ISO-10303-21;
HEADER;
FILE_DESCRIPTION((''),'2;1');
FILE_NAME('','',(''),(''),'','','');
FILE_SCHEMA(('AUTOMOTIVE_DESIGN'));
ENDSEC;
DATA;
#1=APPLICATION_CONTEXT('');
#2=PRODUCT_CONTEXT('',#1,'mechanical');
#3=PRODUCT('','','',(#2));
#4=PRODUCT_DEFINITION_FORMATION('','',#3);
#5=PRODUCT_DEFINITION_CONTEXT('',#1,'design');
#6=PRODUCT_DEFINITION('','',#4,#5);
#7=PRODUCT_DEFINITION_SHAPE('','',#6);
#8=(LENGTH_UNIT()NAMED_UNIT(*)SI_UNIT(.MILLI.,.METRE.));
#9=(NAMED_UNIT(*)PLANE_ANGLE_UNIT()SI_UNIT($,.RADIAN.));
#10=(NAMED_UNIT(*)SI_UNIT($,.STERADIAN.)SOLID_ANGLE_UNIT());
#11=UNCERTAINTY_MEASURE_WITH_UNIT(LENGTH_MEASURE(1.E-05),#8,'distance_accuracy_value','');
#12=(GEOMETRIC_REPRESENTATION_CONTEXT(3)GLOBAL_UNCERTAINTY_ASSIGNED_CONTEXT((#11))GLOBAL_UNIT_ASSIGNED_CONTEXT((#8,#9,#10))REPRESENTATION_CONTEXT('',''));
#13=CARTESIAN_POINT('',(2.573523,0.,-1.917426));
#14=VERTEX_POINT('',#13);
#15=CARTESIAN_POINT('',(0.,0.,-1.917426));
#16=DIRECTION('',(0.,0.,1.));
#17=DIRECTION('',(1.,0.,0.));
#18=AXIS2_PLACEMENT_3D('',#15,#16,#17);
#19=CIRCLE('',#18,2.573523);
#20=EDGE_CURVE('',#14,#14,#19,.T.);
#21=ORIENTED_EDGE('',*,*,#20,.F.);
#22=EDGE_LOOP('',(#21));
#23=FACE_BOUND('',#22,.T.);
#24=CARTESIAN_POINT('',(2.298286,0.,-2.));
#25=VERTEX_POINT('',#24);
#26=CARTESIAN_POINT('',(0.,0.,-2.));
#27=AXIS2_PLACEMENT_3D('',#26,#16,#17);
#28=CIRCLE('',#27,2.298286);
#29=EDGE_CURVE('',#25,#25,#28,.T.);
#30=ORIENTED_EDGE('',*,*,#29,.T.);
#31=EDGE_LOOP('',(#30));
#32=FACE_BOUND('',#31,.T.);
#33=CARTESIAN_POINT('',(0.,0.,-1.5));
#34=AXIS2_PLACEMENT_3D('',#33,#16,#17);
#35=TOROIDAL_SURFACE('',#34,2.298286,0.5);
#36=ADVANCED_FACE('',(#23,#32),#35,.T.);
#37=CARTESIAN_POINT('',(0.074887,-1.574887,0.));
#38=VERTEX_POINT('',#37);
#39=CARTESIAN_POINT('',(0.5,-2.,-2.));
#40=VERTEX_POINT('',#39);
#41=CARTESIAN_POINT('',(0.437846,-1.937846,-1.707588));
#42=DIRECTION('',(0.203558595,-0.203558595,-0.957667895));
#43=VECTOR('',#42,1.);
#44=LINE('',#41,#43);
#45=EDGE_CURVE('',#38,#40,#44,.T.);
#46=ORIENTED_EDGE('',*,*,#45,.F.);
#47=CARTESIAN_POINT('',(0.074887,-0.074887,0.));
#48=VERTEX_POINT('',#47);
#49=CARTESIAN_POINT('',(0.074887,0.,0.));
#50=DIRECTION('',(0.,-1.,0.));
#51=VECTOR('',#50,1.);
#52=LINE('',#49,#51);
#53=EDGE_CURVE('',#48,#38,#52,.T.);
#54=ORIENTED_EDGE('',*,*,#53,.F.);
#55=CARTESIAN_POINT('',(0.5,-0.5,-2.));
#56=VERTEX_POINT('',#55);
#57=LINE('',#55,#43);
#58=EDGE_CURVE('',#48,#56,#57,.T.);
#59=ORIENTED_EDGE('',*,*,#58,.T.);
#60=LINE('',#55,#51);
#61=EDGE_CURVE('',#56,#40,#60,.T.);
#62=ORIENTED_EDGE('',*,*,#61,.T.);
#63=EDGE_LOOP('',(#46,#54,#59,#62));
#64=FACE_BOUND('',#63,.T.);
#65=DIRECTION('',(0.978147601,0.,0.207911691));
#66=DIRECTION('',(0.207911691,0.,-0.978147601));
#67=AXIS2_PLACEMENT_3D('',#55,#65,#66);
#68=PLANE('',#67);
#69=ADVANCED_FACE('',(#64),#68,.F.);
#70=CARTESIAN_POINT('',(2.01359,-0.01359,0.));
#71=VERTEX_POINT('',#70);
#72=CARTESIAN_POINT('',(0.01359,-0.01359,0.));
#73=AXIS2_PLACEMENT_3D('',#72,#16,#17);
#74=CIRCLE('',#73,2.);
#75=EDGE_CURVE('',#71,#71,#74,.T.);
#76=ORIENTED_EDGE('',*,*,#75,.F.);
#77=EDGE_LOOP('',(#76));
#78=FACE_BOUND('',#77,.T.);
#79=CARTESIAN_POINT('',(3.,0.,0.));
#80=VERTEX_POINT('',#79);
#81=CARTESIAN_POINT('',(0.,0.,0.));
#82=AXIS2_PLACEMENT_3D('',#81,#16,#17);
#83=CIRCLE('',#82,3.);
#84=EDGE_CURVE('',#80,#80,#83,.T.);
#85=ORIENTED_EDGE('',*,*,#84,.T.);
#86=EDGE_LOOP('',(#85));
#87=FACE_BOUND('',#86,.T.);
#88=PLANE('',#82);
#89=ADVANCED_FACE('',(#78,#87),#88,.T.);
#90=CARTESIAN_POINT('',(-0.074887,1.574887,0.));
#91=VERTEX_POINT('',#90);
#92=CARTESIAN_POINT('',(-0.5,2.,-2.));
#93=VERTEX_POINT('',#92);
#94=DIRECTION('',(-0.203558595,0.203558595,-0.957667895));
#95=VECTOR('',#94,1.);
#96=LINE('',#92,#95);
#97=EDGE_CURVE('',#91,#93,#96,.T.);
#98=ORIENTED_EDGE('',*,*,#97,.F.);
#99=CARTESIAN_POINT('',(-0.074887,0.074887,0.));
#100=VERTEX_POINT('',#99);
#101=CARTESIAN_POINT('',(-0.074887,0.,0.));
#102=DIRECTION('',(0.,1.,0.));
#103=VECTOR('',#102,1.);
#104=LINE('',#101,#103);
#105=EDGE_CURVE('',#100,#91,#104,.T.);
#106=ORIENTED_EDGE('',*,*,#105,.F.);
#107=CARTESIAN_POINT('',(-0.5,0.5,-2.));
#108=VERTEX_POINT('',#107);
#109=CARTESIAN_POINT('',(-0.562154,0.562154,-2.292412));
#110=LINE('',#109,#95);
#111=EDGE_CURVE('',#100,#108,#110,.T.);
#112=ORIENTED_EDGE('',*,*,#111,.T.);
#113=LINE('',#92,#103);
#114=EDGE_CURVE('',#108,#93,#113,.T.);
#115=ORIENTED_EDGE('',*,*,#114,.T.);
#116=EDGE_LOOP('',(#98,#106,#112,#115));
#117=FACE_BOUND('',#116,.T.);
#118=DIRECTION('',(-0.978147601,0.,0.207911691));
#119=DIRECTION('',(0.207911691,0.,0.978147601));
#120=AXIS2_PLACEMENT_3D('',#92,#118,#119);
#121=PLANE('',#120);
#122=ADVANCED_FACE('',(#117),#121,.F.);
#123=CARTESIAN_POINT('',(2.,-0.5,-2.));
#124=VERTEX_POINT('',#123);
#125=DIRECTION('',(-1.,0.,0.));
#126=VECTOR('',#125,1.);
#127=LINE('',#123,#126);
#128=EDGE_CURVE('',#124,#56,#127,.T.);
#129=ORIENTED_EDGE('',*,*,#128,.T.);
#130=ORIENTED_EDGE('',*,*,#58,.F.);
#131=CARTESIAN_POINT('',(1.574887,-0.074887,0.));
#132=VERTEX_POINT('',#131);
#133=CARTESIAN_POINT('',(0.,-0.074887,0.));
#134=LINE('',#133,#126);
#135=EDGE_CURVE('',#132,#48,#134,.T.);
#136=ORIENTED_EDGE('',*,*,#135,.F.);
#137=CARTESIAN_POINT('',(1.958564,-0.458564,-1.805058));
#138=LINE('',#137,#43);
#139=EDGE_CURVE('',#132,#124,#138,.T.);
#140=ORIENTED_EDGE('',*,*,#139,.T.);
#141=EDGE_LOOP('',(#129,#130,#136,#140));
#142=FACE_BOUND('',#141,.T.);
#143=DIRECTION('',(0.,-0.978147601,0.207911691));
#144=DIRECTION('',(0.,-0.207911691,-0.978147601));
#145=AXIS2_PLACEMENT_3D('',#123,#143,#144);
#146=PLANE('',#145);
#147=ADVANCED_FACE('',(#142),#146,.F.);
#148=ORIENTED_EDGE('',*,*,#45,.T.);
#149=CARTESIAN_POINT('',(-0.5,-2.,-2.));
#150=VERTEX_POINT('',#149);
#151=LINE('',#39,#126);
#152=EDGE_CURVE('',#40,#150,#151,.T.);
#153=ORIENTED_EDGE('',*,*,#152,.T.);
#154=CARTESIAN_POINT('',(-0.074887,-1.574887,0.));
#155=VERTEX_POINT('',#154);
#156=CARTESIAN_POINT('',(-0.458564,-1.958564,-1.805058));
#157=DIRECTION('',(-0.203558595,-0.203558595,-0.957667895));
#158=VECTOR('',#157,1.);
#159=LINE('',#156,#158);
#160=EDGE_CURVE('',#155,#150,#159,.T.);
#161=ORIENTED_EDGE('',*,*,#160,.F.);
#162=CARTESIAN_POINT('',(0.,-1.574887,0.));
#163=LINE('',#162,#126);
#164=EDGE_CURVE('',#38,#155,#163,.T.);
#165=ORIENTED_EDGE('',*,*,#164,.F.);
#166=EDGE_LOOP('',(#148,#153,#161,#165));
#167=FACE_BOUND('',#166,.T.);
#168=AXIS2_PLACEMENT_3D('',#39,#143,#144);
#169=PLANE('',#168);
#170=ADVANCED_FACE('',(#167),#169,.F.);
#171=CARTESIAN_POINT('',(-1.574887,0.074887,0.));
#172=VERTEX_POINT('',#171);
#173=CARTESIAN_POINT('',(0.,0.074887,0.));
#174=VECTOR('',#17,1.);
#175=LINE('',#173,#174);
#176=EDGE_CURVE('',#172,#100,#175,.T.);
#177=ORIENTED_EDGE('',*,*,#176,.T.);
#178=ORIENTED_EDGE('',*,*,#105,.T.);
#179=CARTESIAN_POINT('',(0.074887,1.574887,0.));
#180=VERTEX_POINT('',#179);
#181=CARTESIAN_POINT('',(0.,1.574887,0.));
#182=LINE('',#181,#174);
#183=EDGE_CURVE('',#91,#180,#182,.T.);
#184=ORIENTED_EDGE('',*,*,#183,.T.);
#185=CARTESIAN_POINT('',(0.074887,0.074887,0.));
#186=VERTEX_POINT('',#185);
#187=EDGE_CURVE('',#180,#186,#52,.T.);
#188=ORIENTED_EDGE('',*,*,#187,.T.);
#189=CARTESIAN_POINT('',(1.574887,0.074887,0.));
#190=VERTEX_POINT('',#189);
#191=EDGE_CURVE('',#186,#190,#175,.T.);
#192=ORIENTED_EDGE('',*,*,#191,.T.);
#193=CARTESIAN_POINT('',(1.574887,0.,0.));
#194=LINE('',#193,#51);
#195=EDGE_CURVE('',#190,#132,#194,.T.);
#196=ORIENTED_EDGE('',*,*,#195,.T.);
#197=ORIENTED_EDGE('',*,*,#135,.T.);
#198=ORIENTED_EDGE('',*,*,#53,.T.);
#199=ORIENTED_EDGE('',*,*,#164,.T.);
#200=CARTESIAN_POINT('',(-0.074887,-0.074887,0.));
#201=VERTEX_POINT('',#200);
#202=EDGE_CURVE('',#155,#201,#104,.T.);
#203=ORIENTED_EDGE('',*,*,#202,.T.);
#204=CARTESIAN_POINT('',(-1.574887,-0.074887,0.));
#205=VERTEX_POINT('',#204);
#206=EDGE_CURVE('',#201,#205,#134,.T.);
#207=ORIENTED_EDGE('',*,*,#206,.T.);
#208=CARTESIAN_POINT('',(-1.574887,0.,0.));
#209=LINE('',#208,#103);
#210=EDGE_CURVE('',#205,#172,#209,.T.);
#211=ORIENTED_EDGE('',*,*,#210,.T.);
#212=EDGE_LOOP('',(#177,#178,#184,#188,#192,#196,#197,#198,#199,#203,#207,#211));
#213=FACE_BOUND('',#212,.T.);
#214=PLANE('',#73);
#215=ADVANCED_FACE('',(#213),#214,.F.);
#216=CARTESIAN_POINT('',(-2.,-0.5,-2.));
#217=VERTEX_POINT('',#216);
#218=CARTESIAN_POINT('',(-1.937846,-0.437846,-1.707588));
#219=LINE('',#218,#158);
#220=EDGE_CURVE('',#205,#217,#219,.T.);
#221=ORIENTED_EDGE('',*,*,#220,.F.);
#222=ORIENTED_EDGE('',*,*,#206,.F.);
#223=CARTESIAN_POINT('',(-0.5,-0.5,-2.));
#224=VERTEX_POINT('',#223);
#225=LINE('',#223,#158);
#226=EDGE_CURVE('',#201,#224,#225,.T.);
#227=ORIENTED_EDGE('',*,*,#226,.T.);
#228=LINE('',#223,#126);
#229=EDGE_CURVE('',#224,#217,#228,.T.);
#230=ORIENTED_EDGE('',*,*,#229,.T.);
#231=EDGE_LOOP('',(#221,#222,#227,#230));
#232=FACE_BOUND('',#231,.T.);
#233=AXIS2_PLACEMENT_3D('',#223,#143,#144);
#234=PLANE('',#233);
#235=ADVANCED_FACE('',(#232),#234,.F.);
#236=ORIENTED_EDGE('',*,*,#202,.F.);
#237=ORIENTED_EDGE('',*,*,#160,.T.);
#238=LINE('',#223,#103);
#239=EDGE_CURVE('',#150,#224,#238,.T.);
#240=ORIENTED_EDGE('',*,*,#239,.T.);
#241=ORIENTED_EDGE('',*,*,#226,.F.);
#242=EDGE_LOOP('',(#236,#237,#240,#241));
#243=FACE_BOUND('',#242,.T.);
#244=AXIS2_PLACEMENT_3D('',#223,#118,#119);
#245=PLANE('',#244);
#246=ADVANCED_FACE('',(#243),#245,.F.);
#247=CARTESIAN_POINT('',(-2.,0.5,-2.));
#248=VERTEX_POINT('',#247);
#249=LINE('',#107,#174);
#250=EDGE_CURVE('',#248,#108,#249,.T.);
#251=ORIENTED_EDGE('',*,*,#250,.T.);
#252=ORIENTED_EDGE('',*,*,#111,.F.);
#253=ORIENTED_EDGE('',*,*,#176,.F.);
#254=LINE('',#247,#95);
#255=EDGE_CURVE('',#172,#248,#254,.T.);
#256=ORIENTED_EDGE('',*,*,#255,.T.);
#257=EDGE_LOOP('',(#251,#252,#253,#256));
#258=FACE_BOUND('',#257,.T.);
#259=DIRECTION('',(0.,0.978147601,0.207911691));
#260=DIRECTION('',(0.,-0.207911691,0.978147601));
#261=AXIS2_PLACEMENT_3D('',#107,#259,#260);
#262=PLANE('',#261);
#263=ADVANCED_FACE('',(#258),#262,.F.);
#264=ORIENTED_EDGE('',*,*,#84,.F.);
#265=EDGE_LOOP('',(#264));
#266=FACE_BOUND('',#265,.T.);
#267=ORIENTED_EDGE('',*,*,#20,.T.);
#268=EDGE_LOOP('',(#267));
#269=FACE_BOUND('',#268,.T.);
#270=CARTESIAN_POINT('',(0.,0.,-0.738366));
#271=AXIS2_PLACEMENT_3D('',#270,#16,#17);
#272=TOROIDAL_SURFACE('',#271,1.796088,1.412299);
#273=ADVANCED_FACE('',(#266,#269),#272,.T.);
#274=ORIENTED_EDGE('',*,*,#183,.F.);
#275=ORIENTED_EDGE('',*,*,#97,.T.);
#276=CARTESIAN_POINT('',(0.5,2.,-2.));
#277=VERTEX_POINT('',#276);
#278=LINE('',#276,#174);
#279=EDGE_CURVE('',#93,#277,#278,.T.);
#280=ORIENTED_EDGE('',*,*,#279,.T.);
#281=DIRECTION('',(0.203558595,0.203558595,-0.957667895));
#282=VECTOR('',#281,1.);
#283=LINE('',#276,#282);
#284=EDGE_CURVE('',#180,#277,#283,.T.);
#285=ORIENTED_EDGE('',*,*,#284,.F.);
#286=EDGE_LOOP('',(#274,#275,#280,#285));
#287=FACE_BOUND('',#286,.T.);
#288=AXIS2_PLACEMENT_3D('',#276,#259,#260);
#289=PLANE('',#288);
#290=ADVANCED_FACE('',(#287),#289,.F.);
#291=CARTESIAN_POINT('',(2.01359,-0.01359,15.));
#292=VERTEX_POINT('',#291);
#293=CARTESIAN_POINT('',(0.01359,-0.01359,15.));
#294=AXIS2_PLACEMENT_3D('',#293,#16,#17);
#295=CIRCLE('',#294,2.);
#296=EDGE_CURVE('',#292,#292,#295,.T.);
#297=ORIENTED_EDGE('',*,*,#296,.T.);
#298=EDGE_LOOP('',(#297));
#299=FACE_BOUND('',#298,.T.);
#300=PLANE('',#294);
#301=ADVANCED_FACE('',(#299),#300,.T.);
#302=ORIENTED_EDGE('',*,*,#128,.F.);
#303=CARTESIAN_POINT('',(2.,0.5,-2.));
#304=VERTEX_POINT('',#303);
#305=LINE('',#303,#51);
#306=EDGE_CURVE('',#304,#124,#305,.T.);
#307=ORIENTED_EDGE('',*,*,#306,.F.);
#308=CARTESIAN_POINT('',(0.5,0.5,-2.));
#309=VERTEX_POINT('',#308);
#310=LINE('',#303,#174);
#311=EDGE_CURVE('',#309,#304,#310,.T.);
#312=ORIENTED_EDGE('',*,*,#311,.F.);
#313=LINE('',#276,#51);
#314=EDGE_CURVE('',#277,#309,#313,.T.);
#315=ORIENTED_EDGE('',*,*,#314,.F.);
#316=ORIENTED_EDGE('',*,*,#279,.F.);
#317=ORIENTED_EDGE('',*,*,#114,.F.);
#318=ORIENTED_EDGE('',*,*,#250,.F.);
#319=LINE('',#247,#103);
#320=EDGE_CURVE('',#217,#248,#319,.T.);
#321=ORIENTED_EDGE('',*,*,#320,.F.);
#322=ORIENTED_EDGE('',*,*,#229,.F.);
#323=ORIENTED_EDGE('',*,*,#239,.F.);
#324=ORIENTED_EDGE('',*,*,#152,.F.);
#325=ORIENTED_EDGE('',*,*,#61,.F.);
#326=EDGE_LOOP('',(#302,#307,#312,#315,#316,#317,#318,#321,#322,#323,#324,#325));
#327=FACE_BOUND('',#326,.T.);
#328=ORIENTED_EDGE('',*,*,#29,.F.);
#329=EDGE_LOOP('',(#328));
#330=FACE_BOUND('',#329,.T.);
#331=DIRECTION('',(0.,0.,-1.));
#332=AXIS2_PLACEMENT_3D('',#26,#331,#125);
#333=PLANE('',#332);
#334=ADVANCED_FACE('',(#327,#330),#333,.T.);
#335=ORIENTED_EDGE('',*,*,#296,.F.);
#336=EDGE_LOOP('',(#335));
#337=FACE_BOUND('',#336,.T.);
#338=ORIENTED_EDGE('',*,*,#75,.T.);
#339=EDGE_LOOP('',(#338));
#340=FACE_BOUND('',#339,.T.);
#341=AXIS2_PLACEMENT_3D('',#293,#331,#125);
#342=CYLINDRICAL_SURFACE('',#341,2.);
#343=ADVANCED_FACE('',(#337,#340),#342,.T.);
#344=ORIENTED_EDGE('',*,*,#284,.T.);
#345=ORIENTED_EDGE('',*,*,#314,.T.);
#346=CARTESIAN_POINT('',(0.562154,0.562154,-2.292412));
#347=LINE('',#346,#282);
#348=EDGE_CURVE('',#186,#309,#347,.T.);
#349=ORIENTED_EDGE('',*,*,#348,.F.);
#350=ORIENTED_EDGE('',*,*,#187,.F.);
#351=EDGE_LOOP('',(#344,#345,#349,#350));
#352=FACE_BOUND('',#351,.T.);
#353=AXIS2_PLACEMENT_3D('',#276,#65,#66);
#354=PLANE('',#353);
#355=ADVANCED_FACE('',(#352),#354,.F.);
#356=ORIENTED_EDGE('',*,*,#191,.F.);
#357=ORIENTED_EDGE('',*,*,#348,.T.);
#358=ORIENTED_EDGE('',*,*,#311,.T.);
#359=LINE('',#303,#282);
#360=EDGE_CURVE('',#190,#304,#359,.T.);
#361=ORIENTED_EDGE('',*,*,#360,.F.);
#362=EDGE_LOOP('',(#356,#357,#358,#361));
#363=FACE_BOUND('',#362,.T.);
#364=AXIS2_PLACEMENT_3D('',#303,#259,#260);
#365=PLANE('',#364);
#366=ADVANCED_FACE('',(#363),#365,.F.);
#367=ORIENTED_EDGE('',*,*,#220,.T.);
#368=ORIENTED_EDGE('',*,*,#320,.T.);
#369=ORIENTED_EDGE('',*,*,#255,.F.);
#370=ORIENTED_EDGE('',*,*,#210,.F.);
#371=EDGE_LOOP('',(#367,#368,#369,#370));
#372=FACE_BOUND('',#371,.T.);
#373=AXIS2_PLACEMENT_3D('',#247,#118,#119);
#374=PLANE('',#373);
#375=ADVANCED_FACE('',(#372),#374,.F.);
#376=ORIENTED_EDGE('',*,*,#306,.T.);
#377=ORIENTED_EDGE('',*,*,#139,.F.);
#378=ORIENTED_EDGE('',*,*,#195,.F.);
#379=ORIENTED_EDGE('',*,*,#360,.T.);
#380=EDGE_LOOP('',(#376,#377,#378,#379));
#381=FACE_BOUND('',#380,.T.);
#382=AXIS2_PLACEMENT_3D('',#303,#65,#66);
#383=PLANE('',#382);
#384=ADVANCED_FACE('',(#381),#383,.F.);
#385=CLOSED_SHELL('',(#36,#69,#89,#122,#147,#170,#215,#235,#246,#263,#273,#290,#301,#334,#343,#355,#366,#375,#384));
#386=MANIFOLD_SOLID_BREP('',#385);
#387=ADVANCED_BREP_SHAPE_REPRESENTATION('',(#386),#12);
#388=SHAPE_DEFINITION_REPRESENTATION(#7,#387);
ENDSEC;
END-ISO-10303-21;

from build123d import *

# Parameters (mm, degrees)
CUT_EXTRUDE1_DEPTH  = 2
CUT_EXTRUDE1_DRAFT  = -12
SKETCH3_R           = 2
BOSS_EXTRUDE1_DEPTH = 15


with BuildPart() as part:
    # Sketch1 → Revolve2 (revolve)
    with BuildSketch(Plane(origin=(0, 0, 0), x_dir=(1, 0, 0), z_dir=(0, 1, 0))):
        with BuildLine():
            Line((0, 0), (0, 2))
            Line((0, 2), (2.298285661, 2))
            ThreePointArc((2.298285661, 2), (2.441964308, 1.978911731), (2.57352322, 1.917425786))
            ThreePointArc((2.57352322, 1.917425786), (3.174697589, 1.044998208), (3, 0))
            Line((3, 0), (0, 0))
        make_face()
    revolve(axis=Axis((0, 0, -0.65925001), (0, 0, -1)))


with BuildPart() as cut_extrude1_tool:
    # Sketch2 → Cut-Extrude1 (with draft: the straight prism first)
    with BuildSketch(Plane(origin=(0, 0, -2), x_dir=(-1, 0, 0), z_dir=(0, 0, -1))):
        Polygon((0.5, -0.5), (2, -0.5), (2, 0.5), (0.5, 0.5), (0.5, 2), (-0.5, 2), (-0.5, 0.5), (-2, 0.5), (-2, -0.5), (-0.5, -0.5), (-0.5, -2), (0.5, -2), align=None)
    extrude(amount=-CUT_EXTRUDE1_DEPTH)
    # Cut-Extrude1: the draft: its side faces are tilted about the plane it starts from
    cut_extrude1_sides = [cut_extrude1_tool.faces().sort_by_distance(p)[0] for p in [
        (-1.25, -0.5, -1),
        (-2, 0, -1),
        (-1.25, 0.5, -1),
        (-0.5, 1.25, -1),
        (0, 2, -1),
        (0.5, 1.25, -1),
        (1.25, 0.5, -1),
        (2, 0, -1),
        (1.25, -0.5, -1),
        (0.5, -1.25, -1),
        (0, -2, -1),
        (-0.5, -1.25, -1),
    ]]
    draft(cut_extrude1_sides, Plane(origin=(0, 0, -2), x_dir=(-1, 0, 0), z_dir=(0, 0, -1)), CUT_EXTRUDE1_DRAFT)


with BuildPart() as part_1:
    add(part.part)

    # Cut-Extrude1: cut by cut_extrude1_tool
    add(cut_extrude1_tool.part, mode=Mode.SUBTRACT)

    # Sketch3 → Boss-Extrude1 (add)
    with BuildSketch(Plane.XY):
        with Locations((0.013589602, -0.013589602)):
            Circle(SKETCH3_R)
    extrude(amount=BOSS_EXTRUDE1_DEPTH)


solid = part_1.part
